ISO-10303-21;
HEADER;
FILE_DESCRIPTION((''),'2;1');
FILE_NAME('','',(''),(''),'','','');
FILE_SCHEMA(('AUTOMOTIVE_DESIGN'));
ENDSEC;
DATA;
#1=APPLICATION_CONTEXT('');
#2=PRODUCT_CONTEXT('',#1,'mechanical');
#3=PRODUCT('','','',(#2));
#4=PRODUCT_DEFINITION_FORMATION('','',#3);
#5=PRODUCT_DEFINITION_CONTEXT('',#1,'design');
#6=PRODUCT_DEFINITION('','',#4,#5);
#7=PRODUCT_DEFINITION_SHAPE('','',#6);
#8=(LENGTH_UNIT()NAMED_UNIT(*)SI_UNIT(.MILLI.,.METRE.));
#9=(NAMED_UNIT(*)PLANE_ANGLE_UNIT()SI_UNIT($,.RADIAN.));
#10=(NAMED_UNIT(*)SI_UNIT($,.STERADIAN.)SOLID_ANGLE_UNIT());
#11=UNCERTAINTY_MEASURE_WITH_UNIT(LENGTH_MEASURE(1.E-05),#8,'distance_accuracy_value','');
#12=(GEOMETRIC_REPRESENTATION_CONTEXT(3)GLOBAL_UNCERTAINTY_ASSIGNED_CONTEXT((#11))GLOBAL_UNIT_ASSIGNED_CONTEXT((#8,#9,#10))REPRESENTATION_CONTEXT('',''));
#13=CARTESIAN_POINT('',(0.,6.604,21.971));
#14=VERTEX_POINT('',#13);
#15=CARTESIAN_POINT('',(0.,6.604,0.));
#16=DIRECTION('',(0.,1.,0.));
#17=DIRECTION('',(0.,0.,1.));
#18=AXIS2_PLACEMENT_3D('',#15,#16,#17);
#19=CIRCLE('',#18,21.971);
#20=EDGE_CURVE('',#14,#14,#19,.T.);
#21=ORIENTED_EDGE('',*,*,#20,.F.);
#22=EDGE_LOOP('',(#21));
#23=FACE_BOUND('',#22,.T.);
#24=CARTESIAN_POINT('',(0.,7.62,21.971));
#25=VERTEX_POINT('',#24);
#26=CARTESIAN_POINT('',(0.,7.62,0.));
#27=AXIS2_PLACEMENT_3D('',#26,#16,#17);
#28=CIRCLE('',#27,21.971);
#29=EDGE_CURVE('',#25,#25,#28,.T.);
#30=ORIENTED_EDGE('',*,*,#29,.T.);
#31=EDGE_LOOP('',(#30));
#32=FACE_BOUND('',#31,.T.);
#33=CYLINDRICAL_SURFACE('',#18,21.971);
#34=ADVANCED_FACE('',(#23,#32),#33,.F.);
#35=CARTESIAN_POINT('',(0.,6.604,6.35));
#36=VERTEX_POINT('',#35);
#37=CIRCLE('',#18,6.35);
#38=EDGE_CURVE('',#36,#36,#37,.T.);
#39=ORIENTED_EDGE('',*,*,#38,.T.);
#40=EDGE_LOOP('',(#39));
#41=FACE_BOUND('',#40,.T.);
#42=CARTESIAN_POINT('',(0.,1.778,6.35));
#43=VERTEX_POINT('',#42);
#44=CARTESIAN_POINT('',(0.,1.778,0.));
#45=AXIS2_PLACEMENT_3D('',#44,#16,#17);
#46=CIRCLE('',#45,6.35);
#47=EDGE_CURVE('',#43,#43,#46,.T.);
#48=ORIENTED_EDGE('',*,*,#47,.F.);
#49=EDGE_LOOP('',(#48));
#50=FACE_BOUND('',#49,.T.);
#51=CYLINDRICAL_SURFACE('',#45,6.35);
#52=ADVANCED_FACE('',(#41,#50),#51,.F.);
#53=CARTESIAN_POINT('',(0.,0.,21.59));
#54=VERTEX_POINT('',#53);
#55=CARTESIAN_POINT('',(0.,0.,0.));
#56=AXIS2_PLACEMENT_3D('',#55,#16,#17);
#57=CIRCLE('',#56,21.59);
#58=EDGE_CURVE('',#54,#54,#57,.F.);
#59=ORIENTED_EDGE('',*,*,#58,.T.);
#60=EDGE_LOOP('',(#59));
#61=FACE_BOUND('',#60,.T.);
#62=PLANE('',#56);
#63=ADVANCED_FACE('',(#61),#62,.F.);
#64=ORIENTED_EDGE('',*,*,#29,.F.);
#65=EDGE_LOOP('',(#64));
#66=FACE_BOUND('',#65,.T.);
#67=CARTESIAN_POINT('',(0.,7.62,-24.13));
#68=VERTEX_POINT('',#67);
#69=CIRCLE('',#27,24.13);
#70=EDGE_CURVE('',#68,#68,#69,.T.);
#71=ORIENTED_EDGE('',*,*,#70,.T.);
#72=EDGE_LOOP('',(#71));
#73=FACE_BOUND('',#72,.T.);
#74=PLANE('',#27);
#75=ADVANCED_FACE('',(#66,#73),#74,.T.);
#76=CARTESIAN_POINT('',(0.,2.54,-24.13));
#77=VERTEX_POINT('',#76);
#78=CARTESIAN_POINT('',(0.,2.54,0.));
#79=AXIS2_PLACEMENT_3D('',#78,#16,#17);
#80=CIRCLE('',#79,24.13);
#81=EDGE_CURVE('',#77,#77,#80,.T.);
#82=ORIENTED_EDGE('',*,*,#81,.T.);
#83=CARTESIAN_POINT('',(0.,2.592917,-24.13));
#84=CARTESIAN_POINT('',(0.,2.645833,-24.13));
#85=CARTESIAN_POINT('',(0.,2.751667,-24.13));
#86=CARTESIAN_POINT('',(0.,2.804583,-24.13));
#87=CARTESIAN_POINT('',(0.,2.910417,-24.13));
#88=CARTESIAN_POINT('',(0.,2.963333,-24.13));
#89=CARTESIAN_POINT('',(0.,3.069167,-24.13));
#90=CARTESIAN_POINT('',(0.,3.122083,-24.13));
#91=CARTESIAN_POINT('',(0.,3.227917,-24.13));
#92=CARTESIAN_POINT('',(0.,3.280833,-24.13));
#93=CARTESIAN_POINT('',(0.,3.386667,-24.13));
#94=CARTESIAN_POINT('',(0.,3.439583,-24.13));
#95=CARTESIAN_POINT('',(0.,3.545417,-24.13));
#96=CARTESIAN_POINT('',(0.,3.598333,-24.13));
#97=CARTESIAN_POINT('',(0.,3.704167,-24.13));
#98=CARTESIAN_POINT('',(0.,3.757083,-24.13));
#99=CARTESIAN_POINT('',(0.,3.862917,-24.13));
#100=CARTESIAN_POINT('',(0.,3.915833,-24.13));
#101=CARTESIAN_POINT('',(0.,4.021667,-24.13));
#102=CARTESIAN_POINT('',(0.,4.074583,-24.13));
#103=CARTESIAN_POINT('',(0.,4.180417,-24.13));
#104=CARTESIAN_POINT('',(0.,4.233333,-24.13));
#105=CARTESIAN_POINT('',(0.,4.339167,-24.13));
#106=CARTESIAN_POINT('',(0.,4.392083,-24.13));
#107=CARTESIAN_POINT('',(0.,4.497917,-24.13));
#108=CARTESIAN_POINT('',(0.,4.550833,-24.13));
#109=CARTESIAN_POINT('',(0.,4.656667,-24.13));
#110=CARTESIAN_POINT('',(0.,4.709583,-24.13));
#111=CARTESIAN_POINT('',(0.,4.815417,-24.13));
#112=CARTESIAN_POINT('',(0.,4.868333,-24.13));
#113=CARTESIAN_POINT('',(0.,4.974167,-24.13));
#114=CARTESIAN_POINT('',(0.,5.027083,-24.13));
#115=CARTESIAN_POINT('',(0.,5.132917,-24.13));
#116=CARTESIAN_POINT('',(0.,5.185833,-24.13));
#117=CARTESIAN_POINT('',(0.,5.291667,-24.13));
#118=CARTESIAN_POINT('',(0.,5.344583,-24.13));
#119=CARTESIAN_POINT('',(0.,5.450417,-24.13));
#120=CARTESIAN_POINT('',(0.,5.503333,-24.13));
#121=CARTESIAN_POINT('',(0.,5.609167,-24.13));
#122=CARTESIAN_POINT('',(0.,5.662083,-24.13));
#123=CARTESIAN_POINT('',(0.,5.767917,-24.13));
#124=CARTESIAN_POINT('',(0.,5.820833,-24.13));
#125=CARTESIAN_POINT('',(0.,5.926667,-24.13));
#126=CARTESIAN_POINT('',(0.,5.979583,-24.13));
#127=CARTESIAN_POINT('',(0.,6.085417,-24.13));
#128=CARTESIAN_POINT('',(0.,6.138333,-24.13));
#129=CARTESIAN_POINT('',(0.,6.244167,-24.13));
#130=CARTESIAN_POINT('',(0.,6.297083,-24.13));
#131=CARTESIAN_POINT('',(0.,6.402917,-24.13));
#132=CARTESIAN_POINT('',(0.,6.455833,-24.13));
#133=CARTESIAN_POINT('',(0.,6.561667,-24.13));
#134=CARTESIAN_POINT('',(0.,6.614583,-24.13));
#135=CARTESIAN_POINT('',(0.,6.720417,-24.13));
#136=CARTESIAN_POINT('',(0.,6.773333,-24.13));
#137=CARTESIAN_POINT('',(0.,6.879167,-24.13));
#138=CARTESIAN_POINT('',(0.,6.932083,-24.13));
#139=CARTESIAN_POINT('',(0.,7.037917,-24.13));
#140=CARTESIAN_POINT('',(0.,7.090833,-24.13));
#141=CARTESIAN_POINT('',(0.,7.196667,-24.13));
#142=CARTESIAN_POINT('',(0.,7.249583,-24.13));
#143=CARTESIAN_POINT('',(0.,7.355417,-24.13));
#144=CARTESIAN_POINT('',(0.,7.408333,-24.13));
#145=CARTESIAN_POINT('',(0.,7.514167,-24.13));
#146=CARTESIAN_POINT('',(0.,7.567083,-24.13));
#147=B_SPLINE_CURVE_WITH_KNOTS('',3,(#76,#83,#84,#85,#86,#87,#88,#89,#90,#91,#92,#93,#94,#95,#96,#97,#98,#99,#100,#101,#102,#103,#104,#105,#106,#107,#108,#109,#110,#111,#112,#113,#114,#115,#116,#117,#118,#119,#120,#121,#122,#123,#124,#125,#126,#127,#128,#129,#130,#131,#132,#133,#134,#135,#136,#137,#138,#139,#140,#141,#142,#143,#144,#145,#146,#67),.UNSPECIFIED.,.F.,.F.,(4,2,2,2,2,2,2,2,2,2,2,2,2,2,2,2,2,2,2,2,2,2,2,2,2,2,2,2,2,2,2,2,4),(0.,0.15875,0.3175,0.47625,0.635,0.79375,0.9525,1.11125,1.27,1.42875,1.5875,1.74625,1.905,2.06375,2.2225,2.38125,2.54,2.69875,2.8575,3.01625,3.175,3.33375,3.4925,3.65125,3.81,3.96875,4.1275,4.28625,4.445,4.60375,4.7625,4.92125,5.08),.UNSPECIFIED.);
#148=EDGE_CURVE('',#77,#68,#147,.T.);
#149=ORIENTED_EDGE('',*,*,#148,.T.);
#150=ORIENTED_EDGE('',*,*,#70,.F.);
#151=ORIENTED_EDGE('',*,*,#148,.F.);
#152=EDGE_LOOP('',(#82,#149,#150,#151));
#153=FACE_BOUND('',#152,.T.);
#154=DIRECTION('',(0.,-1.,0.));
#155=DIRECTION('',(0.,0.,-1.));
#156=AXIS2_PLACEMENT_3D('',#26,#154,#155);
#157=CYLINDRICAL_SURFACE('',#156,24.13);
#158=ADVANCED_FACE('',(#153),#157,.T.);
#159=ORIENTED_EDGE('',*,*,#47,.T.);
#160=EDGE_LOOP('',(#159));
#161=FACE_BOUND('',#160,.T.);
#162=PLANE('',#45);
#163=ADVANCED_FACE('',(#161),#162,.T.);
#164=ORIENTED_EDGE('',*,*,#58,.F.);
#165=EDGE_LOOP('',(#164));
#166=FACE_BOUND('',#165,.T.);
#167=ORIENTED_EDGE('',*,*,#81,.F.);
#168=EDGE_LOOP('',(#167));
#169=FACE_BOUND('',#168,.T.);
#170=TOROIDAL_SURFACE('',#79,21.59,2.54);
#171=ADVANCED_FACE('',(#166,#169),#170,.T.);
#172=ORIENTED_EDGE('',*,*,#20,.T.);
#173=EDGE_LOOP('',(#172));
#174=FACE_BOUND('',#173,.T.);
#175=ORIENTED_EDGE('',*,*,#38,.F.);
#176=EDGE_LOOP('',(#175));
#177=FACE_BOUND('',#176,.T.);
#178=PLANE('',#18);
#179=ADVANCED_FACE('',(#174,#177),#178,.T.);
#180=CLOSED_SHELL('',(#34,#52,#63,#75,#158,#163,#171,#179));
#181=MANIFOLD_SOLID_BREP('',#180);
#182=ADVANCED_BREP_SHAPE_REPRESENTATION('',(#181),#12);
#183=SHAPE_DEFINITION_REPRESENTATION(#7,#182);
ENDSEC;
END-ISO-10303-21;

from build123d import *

# Parameters (mm, degrees)
SKETCH2_R           = 24.13
BOSS_EXTRUDE1_DEPTH = 7.62
SKETCH3_R           = 21.971
CUT_EXTRUDE1_DEPTH  = 1.016
SKETCH4_R           = 6.35
CUT_EXTRUDE2_DEPTH  = 4.826
FILLET1_R           = 2.54


with BuildPart() as part:
    # Sketch2 → Boss-Extrude1 (new body)
    with BuildSketch(Plane(origin=(0, 0, 0), x_dir=(1, 0, 0), z_dir=(0, 1, 0))):
        with Locations(Location((0, 0, 0), (0, 0, 90))):
            Circle(SKETCH2_R)
    extrude(amount=BOSS_EXTRUDE1_DEPTH)

    # Sketch3 → Cut-Extrude1 (cut)
    with BuildSketch(Plane(origin=(0, 7.62, 0), x_dir=(1, 0, 0), z_dir=(0, 1, 0))):
        with Locations(Location((0, 0, 0), (0, 0, 270))):
            Circle(SKETCH3_R)
    extrude(amount=-CUT_EXTRUDE1_DEPTH, mode=Mode.SUBTRACT)

    # Sketch4 → Cut-Extrude2 (cut)
    with BuildSketch(Plane(origin=(0, 6.604, 0), x_dir=(1, 0, 0), z_dir=(0, 1, 0))):
        with Locations(Location((0, 0, 0), (0, 0, 270))):
            Circle(SKETCH4_R)
    extrude(amount=-CUT_EXTRUDE2_DEPTH, mode=Mode.SUBTRACT)

    # Fillet1
    fillet1_edges = [part.edges().sort_by_distance(p)[0] for p in [
        (0, 0, 24.13),
    ]]
    fillet(fillet1_edges, radius=FILLET1_R)


solid = part.part
